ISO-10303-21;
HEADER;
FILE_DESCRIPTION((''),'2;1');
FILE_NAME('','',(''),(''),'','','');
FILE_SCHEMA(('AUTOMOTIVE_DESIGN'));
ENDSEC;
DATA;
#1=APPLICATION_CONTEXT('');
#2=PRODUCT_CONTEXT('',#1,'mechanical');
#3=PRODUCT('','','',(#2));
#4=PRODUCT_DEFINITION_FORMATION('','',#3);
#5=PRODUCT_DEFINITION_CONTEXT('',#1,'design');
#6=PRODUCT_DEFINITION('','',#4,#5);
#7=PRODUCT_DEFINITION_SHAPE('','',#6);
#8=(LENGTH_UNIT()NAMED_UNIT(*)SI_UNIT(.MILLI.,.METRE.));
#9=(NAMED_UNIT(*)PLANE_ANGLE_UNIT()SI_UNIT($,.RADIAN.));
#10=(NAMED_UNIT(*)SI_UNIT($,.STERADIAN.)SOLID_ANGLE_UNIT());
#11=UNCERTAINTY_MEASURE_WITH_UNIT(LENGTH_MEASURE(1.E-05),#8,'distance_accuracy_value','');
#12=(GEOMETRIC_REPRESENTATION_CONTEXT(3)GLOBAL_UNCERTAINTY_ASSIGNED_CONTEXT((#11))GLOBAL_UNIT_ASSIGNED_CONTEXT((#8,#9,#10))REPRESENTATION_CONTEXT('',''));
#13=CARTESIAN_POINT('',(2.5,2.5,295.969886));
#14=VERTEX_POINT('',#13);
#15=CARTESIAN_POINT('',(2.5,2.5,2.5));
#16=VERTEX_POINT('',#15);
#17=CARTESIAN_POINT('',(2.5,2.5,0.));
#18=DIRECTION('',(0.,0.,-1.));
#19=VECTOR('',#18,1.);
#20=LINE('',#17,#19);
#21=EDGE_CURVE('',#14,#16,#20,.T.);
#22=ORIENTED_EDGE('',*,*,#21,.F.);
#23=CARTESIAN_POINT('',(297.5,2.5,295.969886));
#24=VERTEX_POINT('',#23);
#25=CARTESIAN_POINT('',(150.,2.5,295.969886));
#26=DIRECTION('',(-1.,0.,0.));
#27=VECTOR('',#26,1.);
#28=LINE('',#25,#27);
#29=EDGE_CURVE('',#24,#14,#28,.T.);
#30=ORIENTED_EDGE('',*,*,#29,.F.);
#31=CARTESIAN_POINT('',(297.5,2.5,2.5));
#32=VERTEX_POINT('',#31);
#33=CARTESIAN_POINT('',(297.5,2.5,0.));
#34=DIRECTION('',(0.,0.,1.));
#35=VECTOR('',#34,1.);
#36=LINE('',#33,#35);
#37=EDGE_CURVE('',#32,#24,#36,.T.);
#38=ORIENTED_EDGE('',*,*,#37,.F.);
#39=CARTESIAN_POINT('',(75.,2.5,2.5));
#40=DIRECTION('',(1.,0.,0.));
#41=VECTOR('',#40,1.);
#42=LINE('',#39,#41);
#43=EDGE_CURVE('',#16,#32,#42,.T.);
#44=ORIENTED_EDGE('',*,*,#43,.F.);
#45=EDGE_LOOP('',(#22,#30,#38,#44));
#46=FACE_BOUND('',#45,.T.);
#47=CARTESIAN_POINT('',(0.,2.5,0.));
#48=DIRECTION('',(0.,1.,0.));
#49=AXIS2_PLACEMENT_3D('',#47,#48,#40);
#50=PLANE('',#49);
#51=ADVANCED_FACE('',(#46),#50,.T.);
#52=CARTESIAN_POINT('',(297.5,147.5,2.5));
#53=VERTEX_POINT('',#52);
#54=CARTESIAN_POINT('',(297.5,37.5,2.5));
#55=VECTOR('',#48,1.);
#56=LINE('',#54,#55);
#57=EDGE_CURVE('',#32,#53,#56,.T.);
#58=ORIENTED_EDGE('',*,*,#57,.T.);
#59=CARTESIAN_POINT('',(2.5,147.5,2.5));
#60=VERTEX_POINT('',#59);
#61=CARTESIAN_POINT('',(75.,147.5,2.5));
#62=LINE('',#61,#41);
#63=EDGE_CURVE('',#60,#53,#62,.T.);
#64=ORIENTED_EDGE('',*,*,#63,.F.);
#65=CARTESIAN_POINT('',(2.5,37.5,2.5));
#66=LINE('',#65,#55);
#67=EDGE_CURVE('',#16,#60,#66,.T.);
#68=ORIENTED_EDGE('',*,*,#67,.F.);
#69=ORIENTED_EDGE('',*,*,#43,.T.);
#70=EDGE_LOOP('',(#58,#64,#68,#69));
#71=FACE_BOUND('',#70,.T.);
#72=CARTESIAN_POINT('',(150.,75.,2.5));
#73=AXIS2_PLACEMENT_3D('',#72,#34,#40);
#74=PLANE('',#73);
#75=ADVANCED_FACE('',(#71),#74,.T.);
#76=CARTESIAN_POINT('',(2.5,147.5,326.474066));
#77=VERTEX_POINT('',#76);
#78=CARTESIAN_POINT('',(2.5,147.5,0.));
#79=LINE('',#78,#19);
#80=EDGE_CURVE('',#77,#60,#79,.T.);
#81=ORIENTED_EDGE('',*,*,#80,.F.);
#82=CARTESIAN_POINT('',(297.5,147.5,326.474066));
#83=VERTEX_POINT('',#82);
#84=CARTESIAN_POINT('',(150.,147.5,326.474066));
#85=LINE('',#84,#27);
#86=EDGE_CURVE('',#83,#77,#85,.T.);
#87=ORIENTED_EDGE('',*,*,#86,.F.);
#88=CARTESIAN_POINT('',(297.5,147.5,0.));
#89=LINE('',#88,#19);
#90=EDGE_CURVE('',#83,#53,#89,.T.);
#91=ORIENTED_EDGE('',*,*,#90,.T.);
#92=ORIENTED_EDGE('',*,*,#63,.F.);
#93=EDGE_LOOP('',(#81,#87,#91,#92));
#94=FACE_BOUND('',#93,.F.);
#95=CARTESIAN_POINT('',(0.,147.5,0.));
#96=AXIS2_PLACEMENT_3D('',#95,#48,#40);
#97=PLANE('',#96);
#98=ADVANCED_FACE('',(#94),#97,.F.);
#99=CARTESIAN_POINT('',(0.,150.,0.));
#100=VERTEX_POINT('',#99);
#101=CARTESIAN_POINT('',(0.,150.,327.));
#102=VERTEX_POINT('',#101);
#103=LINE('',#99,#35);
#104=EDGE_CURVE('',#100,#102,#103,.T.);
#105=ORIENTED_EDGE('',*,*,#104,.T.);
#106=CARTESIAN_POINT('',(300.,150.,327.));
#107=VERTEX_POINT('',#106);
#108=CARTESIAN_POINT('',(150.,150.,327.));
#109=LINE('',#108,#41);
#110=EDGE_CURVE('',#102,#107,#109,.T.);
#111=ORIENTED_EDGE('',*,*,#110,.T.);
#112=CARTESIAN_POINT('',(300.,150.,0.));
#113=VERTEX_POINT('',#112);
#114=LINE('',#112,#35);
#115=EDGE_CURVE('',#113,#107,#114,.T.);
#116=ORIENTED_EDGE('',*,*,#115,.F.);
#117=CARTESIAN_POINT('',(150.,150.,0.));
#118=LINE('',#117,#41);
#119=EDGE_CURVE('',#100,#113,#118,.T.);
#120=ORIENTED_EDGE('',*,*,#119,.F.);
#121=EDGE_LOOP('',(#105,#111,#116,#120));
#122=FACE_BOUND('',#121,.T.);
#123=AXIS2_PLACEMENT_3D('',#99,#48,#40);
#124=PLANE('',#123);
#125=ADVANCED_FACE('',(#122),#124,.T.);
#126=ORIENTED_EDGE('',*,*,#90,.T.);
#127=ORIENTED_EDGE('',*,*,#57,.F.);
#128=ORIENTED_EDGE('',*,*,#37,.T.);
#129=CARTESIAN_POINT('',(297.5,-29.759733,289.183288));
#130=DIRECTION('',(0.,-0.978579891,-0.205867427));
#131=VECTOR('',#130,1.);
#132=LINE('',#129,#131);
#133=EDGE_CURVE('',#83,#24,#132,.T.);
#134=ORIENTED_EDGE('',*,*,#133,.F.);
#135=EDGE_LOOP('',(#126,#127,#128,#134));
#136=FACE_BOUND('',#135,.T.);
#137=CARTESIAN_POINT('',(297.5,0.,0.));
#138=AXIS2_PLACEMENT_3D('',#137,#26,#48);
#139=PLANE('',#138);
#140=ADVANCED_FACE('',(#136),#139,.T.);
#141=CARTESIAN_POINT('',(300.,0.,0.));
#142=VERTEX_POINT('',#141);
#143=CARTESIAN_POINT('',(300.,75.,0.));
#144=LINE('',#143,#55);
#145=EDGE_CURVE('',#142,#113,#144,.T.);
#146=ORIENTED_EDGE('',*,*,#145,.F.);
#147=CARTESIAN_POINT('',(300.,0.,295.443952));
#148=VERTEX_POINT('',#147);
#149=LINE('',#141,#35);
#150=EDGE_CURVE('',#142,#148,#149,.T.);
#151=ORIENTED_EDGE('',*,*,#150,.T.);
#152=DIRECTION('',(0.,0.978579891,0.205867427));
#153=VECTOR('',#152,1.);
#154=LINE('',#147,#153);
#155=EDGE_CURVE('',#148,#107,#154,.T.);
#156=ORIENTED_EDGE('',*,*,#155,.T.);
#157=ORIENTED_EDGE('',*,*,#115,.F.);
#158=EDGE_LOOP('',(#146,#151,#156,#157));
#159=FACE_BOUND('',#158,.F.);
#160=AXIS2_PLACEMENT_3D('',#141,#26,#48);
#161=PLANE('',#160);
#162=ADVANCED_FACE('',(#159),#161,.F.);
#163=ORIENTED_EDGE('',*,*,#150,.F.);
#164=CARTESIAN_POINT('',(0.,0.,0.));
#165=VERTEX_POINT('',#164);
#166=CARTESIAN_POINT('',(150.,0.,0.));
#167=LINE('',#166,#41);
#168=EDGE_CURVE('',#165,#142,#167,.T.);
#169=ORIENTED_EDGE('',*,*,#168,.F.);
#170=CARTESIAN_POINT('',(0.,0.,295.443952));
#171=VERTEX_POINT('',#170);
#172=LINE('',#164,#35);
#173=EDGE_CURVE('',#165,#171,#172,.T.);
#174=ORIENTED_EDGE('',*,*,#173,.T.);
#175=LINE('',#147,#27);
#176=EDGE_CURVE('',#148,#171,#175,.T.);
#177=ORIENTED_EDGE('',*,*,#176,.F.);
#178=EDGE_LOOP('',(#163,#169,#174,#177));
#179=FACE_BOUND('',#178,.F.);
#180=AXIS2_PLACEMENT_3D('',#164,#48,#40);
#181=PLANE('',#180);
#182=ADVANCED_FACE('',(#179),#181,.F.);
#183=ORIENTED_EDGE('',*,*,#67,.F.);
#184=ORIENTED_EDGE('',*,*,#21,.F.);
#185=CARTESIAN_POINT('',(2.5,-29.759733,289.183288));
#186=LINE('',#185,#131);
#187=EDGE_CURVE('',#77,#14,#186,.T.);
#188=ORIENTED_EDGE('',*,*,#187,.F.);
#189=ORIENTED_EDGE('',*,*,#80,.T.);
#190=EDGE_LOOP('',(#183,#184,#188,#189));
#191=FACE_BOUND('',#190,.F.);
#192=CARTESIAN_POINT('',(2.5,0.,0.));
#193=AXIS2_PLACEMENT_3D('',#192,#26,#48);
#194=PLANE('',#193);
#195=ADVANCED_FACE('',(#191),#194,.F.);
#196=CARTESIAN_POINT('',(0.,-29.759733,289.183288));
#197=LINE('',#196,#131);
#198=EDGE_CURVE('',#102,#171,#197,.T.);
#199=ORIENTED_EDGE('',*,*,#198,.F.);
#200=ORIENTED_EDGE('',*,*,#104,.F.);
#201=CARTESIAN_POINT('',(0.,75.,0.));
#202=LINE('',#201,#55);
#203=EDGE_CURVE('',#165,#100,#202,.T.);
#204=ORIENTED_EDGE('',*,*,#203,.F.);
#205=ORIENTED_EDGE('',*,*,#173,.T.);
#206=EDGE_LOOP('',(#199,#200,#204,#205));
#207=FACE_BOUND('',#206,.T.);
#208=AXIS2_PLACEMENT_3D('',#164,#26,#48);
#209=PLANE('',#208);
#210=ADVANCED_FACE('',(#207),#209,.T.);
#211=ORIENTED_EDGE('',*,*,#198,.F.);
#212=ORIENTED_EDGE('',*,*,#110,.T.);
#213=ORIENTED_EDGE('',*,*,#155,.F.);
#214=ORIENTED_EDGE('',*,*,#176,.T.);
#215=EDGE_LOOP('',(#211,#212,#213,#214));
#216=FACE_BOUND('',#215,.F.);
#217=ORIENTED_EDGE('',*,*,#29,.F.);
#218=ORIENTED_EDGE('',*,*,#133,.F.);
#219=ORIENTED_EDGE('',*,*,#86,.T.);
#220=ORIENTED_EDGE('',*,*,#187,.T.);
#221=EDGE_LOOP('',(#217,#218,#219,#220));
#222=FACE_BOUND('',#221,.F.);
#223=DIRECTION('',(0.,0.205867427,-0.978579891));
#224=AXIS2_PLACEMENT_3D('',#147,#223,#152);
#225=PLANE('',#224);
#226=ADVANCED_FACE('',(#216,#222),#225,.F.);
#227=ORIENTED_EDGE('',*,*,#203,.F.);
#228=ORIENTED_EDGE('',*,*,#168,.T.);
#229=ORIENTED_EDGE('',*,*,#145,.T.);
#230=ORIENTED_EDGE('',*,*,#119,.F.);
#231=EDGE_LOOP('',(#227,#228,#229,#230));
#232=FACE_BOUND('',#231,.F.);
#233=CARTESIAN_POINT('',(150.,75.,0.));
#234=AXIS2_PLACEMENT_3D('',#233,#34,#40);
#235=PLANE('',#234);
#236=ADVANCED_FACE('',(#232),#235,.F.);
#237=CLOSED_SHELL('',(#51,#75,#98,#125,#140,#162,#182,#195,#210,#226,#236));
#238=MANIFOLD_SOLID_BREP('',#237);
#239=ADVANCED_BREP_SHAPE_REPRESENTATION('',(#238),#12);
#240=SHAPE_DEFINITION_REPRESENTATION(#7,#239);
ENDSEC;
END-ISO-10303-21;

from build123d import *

# Parameters (mm, degrees)
F0_W     = 300
F0_H     = 150
F1_DEPTH = 327
F2_T     = -2.5
F4_DEPTH = 346


with BuildPart() as f1:
    # F0 (on Top) → F1 (new body)
    with BuildSketch(Plane.XY):
        with Locations((150, 75)):
            Rectangle(F0_W, F0_H)
    extrude(amount=F1_DEPTH)

    # F2
    f2_openings = [f1.faces().sort_by_distance(p)[0] for p in [
        (150, 75, 327),
    ]]
    offset(amount=F2_T, openings=f2_openings)

    # F3 (on face) → F4 (cut)
    with BuildSketch(Plane.YZ.offset(300)):
        Polygon((0, 295.443952), (150, 327), (0, 327), align=None)
    extrude(amount=-F4_DEPTH, mode=Mode.SUBTRACT)


solid = f1.part
